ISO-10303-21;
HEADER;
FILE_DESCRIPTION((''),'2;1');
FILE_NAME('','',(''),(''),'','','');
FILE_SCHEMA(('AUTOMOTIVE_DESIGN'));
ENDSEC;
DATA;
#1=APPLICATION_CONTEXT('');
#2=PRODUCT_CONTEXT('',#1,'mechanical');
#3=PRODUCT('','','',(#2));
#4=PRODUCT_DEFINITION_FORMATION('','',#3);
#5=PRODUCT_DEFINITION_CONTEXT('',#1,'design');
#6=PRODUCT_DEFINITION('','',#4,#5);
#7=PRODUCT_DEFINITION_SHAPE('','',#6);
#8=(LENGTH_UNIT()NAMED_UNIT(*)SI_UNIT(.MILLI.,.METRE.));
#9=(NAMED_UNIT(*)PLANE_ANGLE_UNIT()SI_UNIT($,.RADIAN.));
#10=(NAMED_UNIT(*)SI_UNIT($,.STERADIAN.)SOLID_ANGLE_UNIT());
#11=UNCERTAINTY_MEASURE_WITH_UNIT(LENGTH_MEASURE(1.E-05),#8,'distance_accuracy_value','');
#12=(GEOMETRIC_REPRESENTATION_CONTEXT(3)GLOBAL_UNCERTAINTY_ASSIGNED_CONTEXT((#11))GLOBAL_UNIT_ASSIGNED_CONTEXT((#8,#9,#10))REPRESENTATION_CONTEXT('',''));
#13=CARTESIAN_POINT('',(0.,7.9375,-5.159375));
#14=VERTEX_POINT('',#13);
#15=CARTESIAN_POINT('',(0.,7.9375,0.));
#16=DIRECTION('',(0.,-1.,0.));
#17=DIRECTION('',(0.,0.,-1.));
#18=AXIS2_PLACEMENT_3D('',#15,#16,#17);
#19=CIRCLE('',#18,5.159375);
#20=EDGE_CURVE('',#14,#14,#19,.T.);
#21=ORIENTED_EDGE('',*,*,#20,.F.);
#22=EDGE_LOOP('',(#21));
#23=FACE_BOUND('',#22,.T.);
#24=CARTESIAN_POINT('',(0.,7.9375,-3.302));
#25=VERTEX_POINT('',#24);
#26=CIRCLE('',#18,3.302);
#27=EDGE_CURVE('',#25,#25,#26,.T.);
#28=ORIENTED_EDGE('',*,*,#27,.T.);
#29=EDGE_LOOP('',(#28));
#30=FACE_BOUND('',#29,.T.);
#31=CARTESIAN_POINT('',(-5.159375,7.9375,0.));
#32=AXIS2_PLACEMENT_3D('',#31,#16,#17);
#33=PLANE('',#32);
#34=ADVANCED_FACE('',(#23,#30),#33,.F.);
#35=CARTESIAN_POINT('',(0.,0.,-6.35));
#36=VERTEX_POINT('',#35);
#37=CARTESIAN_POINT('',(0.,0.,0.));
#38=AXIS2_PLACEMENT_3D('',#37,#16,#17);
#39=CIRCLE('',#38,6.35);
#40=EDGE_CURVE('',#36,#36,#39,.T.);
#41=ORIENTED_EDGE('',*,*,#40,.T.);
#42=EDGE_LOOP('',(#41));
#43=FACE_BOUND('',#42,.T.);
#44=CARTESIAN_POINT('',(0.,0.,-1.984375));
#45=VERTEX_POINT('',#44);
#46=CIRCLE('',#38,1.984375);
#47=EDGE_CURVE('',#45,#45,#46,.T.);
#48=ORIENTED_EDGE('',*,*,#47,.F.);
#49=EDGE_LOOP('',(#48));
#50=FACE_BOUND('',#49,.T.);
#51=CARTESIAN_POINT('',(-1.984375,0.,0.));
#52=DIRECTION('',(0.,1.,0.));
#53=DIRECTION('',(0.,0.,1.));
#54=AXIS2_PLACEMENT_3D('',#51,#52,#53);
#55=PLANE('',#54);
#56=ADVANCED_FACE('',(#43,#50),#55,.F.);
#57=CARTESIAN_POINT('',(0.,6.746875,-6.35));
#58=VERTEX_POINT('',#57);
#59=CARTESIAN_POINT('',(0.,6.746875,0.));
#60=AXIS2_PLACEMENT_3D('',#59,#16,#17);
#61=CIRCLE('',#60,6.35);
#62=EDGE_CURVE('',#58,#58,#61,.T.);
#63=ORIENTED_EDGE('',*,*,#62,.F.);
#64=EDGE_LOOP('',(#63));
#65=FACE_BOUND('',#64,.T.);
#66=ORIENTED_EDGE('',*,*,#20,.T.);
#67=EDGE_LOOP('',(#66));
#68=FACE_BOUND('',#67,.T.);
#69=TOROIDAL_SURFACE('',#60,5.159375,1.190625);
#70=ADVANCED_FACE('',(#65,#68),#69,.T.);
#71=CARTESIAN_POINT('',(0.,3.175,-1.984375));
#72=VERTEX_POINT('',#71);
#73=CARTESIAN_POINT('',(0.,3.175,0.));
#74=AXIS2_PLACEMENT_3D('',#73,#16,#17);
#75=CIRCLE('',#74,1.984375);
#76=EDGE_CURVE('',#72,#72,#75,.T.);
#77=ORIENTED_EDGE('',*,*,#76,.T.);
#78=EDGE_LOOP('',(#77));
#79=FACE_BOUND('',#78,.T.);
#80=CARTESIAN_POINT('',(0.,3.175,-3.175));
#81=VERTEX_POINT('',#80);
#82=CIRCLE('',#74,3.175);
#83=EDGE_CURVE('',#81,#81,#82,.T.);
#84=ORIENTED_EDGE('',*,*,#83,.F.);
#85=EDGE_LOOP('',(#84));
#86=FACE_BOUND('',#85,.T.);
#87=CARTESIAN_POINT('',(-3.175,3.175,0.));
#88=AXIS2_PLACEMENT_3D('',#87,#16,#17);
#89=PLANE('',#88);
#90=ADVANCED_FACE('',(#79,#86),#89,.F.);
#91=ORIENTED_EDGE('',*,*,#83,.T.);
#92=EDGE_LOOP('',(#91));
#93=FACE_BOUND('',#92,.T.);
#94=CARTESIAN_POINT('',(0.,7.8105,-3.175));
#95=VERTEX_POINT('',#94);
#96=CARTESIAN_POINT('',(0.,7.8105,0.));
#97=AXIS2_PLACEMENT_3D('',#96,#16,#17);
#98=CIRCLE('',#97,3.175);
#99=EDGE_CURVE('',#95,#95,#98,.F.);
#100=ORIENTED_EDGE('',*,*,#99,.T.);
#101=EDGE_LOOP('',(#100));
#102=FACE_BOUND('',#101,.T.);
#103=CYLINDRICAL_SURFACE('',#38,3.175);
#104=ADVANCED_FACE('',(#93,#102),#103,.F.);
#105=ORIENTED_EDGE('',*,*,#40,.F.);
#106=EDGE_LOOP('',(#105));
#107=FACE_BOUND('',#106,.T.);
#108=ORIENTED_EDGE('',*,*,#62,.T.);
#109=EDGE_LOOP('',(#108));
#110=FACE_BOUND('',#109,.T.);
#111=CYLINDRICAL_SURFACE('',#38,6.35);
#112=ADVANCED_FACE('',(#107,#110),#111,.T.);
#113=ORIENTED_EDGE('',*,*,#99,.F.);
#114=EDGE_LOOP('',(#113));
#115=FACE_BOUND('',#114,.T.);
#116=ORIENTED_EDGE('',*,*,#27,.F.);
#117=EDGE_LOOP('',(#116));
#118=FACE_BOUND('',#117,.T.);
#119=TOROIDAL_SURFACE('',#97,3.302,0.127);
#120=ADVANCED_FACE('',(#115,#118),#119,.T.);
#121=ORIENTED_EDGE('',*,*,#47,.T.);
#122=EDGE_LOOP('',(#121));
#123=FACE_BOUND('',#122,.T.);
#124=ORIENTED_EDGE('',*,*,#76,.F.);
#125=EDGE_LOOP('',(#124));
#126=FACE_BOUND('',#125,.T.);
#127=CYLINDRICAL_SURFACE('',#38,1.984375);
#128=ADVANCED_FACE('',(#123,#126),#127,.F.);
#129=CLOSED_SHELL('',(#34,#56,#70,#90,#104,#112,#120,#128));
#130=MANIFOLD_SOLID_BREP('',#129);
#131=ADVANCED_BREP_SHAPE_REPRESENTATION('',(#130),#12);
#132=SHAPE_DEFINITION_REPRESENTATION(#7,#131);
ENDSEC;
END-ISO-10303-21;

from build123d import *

# Parameters (mm, degrees)
FILLET1_R = 0.127


with BuildPart() as part:
    # Sketch2 → Revolve1 (revolve)
    with BuildSketch(Plane.XY):
        with BuildLine():
            Line((-6.35, 0), (-6.35, 6.746875))
            ThreePointArc((-6.35, 6.746875), (-6.001274011, 7.588774011), (-5.159375, 7.9375))
            Line((-5.159375, 7.9375), (-3.175, 7.9375))
            Line((-3.175, 7.9375), (-3.175, 3.175))
            Line((-3.175, 3.175), (-1.984375, 3.175))
            Line((-1.984375, 3.175), (-1.984375, 0))
            Line((-1.984375, 0), (-6.35, 0))
        make_face()
    revolve(axis=Axis((0, 0, 0), (0, 1, 0)))

    # Fillet1
    fillet1_edges = [part.edges().sort_by_distance(p)[0] for p in [
        (3.175, 7.9375, 0),
    ]]
    fillet(fillet1_edges, radius=FILLET1_R)


solid = part.part
